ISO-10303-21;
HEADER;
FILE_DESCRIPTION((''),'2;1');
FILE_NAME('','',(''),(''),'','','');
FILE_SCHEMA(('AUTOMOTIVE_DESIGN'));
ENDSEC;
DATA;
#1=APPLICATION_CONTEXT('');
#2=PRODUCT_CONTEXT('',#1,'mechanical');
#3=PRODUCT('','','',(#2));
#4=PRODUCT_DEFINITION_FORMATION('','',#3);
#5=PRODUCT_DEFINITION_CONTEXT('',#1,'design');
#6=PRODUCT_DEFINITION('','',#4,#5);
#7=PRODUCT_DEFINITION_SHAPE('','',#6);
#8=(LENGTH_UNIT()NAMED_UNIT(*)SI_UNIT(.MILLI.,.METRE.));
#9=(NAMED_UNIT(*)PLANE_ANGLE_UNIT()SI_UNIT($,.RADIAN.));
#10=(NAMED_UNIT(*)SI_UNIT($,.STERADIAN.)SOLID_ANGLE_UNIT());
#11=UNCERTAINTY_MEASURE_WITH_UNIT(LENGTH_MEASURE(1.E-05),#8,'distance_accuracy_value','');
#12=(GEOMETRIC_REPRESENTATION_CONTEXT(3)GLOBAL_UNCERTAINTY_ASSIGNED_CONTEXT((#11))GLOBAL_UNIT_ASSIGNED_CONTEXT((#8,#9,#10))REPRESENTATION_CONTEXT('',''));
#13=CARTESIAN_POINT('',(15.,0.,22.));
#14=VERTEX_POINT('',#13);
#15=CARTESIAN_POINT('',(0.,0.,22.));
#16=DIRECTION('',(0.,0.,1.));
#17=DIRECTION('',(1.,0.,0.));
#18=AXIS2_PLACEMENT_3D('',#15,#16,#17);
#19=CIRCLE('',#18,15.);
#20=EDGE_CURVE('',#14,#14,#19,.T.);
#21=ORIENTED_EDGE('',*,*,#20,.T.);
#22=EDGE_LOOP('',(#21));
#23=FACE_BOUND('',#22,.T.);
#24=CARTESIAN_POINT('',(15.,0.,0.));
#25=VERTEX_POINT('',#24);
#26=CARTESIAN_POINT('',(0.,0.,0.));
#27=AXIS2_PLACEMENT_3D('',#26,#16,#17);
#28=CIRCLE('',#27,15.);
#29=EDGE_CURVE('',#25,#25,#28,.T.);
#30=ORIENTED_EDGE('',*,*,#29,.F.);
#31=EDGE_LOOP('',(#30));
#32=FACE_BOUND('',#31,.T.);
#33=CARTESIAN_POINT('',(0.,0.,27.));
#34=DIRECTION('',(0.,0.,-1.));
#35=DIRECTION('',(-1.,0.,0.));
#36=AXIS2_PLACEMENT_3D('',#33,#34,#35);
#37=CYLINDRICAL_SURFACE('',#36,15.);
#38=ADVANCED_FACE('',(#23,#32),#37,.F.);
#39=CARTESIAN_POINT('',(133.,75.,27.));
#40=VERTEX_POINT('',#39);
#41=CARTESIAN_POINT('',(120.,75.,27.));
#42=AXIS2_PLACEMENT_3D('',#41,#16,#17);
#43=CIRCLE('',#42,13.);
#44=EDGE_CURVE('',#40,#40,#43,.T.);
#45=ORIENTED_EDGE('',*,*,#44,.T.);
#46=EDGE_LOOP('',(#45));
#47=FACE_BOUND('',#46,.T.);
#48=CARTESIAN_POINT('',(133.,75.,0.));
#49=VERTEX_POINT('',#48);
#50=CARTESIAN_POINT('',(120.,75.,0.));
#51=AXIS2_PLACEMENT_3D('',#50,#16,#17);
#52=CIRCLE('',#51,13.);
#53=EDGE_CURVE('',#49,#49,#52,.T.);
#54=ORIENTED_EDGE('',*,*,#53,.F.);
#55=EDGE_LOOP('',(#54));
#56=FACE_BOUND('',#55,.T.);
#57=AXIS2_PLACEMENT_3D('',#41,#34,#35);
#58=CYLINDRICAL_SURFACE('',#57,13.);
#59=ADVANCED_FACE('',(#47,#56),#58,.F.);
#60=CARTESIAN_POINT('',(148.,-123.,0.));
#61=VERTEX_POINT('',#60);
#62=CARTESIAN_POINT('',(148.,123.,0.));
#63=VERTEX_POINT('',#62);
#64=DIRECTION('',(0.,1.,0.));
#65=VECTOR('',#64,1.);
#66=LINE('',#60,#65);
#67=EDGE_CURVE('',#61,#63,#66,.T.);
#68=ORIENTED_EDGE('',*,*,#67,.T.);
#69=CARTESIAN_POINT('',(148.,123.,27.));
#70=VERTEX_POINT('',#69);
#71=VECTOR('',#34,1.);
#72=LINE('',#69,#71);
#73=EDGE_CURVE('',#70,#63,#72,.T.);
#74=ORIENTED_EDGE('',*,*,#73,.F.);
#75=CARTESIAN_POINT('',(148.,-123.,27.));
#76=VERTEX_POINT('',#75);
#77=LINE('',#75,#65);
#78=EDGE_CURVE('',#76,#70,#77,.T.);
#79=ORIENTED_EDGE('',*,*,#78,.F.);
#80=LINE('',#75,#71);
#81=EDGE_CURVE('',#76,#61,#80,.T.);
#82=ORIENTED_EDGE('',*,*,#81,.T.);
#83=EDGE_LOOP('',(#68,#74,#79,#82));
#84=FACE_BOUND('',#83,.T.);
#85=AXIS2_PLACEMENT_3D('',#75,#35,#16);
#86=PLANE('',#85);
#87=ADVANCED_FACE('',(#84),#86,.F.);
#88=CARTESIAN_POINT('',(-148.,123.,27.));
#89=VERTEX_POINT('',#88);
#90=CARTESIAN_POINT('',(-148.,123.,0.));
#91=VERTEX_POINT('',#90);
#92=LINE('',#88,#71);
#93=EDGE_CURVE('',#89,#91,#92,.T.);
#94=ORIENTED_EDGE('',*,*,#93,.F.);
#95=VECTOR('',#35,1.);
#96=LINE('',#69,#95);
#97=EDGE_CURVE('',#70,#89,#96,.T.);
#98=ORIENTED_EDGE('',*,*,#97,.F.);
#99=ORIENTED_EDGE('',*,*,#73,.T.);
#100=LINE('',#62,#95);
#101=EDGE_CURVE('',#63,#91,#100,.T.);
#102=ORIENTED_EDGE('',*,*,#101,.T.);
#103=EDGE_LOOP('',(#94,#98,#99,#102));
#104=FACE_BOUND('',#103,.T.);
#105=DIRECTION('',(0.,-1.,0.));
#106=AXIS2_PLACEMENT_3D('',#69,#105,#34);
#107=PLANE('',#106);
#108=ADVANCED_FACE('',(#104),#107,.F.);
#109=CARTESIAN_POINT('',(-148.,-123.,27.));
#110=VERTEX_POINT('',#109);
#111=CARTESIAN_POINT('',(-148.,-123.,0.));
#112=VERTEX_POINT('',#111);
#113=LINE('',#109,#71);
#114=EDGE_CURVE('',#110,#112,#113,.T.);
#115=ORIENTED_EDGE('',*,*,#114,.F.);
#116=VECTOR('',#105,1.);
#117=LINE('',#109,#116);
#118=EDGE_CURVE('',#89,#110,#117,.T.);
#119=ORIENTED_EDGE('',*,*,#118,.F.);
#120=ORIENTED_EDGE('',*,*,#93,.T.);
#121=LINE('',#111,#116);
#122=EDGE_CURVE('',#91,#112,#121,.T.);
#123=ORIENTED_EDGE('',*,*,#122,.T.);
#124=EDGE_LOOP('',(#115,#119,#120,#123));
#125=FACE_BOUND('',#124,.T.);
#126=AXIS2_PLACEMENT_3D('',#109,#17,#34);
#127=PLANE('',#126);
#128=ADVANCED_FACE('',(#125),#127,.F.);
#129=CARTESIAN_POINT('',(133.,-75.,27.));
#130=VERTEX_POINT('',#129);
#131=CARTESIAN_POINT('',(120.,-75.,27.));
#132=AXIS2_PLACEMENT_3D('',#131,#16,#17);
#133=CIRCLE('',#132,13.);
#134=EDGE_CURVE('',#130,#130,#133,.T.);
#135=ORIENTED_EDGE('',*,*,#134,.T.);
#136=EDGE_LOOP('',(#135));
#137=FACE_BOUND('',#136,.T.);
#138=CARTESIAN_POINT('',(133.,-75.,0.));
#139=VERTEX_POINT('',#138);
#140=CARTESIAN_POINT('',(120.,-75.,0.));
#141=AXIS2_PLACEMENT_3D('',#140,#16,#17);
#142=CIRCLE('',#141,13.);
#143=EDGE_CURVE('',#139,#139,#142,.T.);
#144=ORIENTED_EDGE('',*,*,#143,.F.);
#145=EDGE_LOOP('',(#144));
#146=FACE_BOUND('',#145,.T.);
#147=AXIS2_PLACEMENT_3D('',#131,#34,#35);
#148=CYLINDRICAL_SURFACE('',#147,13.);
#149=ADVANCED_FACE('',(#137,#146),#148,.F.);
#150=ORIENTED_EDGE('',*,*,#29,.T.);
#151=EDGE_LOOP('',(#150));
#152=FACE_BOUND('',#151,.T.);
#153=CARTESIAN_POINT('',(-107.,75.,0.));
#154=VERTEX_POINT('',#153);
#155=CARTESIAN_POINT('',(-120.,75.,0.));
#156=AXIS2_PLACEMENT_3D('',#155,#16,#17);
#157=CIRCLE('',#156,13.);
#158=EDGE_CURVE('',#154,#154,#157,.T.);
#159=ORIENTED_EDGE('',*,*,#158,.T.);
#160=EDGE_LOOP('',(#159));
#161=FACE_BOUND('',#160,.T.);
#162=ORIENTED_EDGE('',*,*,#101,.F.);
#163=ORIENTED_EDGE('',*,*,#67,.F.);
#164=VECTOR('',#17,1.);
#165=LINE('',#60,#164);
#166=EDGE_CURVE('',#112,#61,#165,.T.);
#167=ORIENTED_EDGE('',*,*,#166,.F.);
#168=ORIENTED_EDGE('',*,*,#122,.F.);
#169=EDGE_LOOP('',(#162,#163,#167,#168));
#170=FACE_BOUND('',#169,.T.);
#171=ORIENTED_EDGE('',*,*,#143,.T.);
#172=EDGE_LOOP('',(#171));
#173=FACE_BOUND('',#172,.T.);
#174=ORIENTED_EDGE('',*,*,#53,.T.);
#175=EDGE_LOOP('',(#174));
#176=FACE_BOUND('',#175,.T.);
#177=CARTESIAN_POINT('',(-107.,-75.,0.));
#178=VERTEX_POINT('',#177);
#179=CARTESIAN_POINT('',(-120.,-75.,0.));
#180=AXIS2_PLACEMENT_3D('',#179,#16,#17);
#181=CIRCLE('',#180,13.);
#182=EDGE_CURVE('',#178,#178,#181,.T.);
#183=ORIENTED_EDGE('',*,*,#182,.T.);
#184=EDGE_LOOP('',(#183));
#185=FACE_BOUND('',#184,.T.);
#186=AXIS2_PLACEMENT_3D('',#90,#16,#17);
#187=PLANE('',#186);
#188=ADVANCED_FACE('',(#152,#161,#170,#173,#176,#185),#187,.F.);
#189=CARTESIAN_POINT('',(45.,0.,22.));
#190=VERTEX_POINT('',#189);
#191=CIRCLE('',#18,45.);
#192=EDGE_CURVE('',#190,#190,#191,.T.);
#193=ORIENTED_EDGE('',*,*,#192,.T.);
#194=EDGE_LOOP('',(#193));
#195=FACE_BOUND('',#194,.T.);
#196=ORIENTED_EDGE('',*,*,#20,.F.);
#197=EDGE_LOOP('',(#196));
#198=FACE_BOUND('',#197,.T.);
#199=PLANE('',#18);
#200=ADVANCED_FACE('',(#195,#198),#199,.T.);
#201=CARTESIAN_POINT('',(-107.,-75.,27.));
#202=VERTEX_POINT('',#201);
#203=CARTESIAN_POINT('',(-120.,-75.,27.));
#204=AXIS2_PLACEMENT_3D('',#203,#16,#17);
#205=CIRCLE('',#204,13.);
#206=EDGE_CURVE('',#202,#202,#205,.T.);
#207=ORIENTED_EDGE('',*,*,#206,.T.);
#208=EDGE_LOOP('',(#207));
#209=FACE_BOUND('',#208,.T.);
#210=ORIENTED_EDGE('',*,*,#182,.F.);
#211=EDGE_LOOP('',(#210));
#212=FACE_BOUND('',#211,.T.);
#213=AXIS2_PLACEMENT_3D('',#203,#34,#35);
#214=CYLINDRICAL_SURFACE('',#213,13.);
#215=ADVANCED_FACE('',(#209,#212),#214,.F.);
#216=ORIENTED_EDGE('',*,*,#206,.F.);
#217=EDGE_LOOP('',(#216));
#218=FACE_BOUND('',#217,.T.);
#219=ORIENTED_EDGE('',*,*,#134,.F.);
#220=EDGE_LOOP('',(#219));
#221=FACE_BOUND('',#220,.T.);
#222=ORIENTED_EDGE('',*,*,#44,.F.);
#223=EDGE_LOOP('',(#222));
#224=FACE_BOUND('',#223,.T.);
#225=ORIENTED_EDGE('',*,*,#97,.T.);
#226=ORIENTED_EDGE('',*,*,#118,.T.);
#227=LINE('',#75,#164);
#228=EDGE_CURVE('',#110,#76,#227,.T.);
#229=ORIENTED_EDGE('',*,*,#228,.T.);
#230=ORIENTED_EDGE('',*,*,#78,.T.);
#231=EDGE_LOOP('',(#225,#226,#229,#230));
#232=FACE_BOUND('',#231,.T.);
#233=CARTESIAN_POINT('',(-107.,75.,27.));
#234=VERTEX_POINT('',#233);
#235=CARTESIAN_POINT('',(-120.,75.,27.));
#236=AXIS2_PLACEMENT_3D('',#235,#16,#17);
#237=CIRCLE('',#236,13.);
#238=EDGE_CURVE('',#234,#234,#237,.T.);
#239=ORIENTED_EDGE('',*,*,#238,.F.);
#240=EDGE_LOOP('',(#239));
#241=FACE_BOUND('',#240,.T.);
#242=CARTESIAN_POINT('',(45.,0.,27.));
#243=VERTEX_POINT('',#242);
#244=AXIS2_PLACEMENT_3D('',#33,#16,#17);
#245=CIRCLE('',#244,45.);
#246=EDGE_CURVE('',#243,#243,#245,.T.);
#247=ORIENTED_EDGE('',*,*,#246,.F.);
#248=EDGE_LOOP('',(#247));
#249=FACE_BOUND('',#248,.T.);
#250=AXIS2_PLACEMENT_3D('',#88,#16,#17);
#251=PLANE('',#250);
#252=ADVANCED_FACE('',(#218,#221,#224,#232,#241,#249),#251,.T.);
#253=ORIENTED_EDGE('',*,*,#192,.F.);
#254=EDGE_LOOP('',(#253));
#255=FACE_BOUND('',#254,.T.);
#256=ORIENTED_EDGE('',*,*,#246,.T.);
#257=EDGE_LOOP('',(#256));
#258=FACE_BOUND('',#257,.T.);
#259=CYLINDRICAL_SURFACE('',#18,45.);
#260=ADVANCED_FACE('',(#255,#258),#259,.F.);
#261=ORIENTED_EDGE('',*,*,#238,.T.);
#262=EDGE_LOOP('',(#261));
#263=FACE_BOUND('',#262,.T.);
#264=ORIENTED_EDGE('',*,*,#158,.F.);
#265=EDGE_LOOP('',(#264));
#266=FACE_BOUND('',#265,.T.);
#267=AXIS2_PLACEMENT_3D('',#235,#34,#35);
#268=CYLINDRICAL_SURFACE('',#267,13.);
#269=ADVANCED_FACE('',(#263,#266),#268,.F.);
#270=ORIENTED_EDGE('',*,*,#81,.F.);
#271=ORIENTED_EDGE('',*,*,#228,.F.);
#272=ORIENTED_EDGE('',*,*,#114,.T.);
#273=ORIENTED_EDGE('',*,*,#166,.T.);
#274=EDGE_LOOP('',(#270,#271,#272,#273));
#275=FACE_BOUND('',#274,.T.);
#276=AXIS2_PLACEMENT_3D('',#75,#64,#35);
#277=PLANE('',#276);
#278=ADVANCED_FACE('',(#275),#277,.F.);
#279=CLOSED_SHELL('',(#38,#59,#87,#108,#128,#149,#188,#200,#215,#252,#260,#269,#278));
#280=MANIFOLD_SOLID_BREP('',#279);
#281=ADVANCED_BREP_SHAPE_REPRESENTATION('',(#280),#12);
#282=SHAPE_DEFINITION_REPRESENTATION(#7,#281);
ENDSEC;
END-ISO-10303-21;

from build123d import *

# Parameters (mm, degrees)
SKETCH1_W      = 296
SKETCH1_H      = 246
SKETCH1_R      = 13
SKETCH1_R_2    = 15
EXTRUDE1_DEPTH = 27
SKETCH2_R      = 45
EXTRUDE2_DEPTH = 5


with BuildPart() as part:
    # Sketch1 → Extrude1 (new body)
    with BuildSketch(Plane.XY):
        Rectangle(SKETCH1_W, SKETCH1_H)
        with Locations((-120, 75)):
            Circle(SKETCH1_R, mode=Mode.SUBTRACT)
        with Locations((120, 75)):
            Circle(SKETCH1_R, mode=Mode.SUBTRACT)
        with Locations((120, -75)):
            Circle(SKETCH1_R, mode=Mode.SUBTRACT)
        with Locations((-120, -75)):
            Circle(SKETCH1_R, mode=Mode.SUBTRACT)
        Circle(SKETCH1_R_2, mode=Mode.SUBTRACT)
    extrude(amount=EXTRUDE1_DEPTH)

    # Sketch2 → Extrude2 (cut)
    with BuildSketch(Plane.XY.offset(27)):
        Circle(SKETCH2_R)
    extrude(amount=-EXTRUDE2_DEPTH, mode=Mode.SUBTRACT)


solid = part.part
